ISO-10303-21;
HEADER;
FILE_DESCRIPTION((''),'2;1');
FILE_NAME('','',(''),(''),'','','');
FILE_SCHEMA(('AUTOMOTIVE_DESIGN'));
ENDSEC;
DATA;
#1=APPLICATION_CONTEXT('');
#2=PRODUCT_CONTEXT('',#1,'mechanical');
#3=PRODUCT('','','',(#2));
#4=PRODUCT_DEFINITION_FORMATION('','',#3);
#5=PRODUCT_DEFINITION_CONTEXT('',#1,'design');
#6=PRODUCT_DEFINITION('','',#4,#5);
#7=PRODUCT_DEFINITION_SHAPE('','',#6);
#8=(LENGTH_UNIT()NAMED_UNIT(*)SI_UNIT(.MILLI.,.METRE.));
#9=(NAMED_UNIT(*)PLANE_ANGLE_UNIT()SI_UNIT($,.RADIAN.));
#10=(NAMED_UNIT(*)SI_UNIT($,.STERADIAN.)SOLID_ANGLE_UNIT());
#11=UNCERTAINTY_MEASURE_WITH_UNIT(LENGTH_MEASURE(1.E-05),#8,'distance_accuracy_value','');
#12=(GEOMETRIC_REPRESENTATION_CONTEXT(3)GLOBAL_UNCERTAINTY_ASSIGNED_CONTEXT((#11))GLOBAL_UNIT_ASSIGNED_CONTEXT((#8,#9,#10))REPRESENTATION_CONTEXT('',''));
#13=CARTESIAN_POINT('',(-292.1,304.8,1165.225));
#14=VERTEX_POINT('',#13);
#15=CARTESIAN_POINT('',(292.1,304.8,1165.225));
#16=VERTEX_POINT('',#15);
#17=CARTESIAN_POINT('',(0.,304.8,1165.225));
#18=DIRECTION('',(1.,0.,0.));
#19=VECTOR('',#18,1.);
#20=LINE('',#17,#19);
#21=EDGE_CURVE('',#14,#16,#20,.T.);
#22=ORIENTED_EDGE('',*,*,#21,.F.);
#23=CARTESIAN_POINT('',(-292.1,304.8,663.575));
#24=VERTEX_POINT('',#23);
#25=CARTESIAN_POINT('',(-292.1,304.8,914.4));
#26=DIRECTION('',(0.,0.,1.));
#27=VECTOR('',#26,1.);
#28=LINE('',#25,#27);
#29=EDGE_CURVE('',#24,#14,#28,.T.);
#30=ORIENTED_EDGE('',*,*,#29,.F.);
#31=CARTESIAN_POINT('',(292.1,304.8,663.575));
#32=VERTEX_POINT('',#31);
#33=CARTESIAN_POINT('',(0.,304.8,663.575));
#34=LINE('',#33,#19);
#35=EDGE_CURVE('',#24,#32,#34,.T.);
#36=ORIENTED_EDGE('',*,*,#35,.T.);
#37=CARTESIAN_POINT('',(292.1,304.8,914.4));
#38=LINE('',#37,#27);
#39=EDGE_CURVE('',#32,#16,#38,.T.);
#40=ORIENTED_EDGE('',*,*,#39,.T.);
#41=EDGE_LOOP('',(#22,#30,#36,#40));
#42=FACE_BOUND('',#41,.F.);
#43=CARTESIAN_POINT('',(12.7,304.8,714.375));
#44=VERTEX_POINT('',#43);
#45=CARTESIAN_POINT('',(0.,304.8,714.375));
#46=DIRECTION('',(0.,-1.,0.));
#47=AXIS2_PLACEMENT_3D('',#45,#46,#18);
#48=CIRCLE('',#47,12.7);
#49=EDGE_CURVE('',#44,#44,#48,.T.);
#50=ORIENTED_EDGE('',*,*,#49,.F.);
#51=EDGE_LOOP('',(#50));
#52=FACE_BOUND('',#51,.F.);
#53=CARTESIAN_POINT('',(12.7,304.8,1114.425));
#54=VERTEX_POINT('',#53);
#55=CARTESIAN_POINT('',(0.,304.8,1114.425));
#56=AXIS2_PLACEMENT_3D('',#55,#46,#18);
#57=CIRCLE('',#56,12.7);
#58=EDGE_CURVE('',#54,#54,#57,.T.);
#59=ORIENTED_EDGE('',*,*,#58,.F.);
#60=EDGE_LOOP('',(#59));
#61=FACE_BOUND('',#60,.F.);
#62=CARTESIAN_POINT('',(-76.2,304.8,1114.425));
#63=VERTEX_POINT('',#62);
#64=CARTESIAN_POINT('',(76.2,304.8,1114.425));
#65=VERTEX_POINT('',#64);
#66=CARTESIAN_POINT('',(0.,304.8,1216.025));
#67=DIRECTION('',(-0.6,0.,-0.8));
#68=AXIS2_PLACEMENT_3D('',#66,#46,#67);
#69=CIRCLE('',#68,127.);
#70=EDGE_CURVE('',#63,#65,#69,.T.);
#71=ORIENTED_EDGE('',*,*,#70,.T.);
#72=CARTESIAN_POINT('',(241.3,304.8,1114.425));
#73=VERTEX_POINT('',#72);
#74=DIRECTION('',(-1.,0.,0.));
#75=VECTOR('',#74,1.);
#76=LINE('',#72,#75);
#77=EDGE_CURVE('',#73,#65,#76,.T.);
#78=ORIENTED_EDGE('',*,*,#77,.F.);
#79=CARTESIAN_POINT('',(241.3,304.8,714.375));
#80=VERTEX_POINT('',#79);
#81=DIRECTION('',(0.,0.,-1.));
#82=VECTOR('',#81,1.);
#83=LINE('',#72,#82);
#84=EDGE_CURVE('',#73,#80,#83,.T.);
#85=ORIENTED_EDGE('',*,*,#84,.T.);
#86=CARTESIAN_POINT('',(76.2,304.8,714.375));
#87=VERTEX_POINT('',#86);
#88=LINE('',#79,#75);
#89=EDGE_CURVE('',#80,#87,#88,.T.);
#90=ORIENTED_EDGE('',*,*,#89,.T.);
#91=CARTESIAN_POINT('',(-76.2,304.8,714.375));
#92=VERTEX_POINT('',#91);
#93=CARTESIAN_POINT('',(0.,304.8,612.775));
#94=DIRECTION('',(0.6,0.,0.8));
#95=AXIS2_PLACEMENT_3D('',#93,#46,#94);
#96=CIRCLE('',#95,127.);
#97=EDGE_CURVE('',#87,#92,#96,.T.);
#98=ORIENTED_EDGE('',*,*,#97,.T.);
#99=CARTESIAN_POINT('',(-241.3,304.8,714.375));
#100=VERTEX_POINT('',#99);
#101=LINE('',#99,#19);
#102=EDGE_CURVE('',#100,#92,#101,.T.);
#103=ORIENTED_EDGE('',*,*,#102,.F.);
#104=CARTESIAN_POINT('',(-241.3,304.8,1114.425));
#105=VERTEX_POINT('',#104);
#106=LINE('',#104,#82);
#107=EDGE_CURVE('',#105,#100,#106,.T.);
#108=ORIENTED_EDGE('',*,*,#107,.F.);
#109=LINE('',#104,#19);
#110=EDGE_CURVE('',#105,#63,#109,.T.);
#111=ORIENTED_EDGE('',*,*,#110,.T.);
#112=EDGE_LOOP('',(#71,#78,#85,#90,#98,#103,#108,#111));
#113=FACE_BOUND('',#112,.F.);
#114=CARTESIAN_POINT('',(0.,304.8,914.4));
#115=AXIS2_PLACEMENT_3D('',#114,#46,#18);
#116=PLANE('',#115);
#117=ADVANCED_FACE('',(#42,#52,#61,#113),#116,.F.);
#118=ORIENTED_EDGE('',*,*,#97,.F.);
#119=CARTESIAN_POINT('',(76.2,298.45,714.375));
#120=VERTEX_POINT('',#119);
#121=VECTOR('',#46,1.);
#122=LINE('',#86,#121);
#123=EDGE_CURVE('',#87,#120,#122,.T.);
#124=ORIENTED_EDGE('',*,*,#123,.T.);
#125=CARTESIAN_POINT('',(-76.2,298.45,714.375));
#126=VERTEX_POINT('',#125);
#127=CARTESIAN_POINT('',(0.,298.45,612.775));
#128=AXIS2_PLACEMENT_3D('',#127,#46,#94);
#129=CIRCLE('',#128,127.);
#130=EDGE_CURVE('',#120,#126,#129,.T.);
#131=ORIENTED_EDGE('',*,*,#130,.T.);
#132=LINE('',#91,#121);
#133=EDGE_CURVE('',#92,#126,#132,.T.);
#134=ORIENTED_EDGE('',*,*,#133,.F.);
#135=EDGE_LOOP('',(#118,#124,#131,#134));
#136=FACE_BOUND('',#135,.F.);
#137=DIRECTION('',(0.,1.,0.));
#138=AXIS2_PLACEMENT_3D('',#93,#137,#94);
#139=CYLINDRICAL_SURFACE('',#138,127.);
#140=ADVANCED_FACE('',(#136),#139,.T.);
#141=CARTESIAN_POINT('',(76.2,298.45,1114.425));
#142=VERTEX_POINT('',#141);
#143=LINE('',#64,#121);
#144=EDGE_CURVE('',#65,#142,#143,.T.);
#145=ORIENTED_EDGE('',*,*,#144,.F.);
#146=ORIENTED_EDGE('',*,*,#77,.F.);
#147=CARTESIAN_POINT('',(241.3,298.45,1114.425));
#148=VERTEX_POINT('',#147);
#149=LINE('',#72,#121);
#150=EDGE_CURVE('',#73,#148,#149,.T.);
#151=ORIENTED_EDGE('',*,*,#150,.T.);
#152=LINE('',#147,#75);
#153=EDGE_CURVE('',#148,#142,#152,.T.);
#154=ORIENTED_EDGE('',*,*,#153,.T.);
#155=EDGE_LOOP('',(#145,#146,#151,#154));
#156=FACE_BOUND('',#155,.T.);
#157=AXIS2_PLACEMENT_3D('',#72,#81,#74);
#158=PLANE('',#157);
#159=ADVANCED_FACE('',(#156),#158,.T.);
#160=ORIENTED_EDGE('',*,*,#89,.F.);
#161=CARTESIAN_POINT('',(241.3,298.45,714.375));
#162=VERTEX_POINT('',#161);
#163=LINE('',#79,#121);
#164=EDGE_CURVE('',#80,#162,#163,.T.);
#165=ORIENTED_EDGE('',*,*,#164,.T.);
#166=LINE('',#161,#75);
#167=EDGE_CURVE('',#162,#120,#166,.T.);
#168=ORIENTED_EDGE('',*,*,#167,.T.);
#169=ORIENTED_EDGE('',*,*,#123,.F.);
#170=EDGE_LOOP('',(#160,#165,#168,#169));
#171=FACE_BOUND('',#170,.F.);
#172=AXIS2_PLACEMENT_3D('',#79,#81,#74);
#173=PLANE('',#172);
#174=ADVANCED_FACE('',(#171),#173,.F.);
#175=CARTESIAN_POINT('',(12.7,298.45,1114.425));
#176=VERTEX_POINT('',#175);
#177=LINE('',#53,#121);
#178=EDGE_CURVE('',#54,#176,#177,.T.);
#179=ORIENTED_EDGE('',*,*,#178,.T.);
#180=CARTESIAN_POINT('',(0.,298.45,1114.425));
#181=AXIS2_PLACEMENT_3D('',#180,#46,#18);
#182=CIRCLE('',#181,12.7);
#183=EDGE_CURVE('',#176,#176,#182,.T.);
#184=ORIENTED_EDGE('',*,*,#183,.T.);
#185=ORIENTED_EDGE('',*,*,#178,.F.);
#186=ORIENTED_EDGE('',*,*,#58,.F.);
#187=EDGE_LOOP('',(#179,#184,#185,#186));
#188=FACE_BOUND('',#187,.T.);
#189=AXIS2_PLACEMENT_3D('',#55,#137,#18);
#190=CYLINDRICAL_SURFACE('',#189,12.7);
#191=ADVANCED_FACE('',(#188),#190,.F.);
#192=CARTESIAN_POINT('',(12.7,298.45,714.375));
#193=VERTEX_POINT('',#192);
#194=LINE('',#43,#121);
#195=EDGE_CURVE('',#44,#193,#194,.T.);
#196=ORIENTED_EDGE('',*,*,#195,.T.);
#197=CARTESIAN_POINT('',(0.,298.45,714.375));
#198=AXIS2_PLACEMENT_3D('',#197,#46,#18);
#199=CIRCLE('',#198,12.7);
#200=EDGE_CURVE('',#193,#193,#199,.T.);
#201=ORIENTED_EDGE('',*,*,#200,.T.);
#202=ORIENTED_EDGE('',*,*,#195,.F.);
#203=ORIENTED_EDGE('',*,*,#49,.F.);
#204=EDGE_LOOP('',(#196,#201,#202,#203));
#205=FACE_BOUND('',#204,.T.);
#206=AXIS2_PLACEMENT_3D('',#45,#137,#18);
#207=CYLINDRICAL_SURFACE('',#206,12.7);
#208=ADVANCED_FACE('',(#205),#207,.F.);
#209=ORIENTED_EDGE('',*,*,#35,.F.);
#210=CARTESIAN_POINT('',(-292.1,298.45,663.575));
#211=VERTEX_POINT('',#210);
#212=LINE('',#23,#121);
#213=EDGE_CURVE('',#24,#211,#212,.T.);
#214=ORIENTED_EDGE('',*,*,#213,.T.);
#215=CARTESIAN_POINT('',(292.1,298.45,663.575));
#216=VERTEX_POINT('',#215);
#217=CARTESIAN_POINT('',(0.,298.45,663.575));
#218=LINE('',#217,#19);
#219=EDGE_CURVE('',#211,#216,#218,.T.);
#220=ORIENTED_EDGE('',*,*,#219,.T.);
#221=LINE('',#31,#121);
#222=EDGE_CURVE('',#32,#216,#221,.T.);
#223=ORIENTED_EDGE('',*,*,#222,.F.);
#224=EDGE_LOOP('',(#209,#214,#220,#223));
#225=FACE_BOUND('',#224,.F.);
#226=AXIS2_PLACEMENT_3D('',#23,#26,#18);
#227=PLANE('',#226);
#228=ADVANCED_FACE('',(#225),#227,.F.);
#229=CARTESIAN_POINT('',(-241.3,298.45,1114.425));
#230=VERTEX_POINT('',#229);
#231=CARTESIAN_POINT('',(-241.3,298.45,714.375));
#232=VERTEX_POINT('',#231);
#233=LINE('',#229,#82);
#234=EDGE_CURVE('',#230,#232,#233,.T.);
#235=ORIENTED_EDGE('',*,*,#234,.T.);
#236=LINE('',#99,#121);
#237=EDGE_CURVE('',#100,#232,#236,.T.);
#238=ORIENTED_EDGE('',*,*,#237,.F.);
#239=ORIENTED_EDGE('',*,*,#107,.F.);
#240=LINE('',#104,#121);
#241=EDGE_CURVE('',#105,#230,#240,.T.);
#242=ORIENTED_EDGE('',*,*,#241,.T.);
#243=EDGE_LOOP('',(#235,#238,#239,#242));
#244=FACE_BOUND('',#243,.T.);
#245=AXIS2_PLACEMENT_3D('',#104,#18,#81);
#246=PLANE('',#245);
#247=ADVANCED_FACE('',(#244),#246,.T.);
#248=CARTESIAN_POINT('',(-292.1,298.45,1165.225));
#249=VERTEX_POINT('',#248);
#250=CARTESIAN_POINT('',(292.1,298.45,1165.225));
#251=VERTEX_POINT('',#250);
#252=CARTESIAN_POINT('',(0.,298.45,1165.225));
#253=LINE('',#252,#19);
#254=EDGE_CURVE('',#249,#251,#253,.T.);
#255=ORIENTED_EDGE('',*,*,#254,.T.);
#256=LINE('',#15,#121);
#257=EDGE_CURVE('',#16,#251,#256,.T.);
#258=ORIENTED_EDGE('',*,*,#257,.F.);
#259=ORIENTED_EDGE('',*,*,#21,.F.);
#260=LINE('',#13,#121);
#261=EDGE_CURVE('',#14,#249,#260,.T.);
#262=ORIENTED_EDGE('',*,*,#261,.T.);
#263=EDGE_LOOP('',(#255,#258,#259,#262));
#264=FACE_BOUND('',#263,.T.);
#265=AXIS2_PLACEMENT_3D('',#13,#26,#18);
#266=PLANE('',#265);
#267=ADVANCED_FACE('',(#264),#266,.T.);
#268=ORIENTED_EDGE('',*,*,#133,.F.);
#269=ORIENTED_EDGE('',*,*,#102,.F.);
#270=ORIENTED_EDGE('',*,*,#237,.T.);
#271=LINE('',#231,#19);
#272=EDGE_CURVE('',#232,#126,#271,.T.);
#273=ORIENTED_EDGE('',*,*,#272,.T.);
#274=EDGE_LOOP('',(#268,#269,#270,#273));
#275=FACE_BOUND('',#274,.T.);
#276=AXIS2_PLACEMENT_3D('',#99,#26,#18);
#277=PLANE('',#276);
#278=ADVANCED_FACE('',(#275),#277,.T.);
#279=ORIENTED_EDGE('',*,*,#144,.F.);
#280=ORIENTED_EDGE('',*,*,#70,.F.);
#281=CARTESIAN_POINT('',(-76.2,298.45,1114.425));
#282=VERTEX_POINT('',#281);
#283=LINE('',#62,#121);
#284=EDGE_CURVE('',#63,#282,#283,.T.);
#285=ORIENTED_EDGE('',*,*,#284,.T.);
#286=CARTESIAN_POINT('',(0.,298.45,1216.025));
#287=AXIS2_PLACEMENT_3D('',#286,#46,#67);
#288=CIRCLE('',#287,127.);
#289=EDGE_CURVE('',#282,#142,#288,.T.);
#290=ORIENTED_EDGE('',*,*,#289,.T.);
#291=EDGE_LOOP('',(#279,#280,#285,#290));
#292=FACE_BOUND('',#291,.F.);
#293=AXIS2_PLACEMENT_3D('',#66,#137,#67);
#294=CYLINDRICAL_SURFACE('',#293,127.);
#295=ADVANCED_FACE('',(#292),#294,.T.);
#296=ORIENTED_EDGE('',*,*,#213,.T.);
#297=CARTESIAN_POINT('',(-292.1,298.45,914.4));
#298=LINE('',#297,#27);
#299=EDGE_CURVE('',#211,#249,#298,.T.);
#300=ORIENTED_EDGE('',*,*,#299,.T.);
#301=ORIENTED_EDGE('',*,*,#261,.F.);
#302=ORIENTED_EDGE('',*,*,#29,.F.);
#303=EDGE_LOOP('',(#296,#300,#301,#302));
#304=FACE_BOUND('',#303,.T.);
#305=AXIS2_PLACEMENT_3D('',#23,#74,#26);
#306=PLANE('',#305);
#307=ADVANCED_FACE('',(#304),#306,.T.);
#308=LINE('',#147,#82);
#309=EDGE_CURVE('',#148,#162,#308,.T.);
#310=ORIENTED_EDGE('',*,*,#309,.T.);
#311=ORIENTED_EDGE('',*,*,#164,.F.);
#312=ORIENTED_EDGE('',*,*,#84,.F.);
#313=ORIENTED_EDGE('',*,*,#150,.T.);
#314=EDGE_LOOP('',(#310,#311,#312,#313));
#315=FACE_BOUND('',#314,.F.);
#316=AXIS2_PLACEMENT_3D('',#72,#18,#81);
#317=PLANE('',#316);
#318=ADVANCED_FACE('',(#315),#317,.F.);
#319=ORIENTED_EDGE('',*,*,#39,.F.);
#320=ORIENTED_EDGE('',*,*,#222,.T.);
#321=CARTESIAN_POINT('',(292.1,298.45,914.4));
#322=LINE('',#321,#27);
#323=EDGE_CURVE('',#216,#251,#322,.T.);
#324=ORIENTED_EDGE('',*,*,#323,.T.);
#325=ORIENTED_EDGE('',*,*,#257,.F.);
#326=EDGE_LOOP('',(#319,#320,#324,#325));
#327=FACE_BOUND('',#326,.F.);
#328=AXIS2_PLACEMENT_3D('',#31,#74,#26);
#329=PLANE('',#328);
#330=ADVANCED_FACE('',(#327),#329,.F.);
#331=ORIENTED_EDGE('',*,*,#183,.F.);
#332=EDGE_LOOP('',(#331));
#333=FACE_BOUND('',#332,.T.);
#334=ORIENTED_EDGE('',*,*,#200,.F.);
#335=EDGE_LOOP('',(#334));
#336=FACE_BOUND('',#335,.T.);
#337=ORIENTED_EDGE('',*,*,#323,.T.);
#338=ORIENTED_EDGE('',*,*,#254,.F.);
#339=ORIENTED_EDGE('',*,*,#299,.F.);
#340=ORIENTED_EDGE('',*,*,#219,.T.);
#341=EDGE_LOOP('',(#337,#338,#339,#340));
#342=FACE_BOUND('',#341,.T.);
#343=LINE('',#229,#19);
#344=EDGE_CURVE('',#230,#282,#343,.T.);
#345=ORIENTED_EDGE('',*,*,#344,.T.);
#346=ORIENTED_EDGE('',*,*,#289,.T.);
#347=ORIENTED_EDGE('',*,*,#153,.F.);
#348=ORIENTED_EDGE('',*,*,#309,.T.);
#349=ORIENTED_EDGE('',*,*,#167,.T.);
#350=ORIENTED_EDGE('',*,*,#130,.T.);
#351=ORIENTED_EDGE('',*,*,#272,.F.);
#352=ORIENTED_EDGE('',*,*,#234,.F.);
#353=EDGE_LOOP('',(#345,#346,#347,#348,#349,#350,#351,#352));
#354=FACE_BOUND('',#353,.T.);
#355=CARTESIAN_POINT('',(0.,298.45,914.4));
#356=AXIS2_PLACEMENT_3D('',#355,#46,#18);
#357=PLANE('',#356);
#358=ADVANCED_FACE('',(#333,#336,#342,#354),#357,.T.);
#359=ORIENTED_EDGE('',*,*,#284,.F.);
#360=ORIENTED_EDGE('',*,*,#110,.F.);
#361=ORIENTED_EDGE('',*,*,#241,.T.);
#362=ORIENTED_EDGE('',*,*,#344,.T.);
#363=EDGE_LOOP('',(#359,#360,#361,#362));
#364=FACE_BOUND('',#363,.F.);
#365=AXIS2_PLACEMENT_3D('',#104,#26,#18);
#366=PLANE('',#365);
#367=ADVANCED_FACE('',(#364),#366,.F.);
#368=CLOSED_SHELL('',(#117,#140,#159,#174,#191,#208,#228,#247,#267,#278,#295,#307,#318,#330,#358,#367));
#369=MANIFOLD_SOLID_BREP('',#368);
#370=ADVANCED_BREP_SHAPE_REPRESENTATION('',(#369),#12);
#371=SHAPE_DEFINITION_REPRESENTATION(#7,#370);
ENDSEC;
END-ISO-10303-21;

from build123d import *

# Parameters (mm, degrees)
SKETCH002_W  = 584.2
SKETCH002_H  = 501.65
SKETCH002_R  = 12.7
PAD008_DEPTH = 6.35


with BuildPart() as part:
    # Sketch002 → Pad008 (new body)
    with BuildSketch(Plane(origin=(0, 304.8, 914.4), x_dir=(1, 0, 0), z_dir=(0, -1, 0))):
        Rectangle(SKETCH002_W, SKETCH002_H)
        with Locations((0, 200.025)):
            Circle(SKETCH002_R, mode=Mode.SUBTRACT)
        with Locations((0, -200.025)):
            Circle(SKETCH002_R, mode=Mode.SUBTRACT)
        with BuildLine():
            Line((-241.3, 200.025), (-241.3, -200.025))
            Line((-241.3, -200.025), (-76.2, -200.025))
            ThreePointArc((76.2, -200.025), (0, -174.625), (-76.2, -200.025))
            Line((241.3, -200.025), (76.2, -200.025))
            Line((241.3, 200.025), (241.3, -200.025))
            Line((241.3, 200.025), (76.2, 200.025))
            ThreePointArc((-76.2, 200.025), (0, 174.625), (76.2, 200.025))
            Line((-241.3, 200.025), (-76.2, 200.025))
        make_face(mode=Mode.SUBTRACT)
    extrude(amount=PAD008_DEPTH)


solid = part.part
